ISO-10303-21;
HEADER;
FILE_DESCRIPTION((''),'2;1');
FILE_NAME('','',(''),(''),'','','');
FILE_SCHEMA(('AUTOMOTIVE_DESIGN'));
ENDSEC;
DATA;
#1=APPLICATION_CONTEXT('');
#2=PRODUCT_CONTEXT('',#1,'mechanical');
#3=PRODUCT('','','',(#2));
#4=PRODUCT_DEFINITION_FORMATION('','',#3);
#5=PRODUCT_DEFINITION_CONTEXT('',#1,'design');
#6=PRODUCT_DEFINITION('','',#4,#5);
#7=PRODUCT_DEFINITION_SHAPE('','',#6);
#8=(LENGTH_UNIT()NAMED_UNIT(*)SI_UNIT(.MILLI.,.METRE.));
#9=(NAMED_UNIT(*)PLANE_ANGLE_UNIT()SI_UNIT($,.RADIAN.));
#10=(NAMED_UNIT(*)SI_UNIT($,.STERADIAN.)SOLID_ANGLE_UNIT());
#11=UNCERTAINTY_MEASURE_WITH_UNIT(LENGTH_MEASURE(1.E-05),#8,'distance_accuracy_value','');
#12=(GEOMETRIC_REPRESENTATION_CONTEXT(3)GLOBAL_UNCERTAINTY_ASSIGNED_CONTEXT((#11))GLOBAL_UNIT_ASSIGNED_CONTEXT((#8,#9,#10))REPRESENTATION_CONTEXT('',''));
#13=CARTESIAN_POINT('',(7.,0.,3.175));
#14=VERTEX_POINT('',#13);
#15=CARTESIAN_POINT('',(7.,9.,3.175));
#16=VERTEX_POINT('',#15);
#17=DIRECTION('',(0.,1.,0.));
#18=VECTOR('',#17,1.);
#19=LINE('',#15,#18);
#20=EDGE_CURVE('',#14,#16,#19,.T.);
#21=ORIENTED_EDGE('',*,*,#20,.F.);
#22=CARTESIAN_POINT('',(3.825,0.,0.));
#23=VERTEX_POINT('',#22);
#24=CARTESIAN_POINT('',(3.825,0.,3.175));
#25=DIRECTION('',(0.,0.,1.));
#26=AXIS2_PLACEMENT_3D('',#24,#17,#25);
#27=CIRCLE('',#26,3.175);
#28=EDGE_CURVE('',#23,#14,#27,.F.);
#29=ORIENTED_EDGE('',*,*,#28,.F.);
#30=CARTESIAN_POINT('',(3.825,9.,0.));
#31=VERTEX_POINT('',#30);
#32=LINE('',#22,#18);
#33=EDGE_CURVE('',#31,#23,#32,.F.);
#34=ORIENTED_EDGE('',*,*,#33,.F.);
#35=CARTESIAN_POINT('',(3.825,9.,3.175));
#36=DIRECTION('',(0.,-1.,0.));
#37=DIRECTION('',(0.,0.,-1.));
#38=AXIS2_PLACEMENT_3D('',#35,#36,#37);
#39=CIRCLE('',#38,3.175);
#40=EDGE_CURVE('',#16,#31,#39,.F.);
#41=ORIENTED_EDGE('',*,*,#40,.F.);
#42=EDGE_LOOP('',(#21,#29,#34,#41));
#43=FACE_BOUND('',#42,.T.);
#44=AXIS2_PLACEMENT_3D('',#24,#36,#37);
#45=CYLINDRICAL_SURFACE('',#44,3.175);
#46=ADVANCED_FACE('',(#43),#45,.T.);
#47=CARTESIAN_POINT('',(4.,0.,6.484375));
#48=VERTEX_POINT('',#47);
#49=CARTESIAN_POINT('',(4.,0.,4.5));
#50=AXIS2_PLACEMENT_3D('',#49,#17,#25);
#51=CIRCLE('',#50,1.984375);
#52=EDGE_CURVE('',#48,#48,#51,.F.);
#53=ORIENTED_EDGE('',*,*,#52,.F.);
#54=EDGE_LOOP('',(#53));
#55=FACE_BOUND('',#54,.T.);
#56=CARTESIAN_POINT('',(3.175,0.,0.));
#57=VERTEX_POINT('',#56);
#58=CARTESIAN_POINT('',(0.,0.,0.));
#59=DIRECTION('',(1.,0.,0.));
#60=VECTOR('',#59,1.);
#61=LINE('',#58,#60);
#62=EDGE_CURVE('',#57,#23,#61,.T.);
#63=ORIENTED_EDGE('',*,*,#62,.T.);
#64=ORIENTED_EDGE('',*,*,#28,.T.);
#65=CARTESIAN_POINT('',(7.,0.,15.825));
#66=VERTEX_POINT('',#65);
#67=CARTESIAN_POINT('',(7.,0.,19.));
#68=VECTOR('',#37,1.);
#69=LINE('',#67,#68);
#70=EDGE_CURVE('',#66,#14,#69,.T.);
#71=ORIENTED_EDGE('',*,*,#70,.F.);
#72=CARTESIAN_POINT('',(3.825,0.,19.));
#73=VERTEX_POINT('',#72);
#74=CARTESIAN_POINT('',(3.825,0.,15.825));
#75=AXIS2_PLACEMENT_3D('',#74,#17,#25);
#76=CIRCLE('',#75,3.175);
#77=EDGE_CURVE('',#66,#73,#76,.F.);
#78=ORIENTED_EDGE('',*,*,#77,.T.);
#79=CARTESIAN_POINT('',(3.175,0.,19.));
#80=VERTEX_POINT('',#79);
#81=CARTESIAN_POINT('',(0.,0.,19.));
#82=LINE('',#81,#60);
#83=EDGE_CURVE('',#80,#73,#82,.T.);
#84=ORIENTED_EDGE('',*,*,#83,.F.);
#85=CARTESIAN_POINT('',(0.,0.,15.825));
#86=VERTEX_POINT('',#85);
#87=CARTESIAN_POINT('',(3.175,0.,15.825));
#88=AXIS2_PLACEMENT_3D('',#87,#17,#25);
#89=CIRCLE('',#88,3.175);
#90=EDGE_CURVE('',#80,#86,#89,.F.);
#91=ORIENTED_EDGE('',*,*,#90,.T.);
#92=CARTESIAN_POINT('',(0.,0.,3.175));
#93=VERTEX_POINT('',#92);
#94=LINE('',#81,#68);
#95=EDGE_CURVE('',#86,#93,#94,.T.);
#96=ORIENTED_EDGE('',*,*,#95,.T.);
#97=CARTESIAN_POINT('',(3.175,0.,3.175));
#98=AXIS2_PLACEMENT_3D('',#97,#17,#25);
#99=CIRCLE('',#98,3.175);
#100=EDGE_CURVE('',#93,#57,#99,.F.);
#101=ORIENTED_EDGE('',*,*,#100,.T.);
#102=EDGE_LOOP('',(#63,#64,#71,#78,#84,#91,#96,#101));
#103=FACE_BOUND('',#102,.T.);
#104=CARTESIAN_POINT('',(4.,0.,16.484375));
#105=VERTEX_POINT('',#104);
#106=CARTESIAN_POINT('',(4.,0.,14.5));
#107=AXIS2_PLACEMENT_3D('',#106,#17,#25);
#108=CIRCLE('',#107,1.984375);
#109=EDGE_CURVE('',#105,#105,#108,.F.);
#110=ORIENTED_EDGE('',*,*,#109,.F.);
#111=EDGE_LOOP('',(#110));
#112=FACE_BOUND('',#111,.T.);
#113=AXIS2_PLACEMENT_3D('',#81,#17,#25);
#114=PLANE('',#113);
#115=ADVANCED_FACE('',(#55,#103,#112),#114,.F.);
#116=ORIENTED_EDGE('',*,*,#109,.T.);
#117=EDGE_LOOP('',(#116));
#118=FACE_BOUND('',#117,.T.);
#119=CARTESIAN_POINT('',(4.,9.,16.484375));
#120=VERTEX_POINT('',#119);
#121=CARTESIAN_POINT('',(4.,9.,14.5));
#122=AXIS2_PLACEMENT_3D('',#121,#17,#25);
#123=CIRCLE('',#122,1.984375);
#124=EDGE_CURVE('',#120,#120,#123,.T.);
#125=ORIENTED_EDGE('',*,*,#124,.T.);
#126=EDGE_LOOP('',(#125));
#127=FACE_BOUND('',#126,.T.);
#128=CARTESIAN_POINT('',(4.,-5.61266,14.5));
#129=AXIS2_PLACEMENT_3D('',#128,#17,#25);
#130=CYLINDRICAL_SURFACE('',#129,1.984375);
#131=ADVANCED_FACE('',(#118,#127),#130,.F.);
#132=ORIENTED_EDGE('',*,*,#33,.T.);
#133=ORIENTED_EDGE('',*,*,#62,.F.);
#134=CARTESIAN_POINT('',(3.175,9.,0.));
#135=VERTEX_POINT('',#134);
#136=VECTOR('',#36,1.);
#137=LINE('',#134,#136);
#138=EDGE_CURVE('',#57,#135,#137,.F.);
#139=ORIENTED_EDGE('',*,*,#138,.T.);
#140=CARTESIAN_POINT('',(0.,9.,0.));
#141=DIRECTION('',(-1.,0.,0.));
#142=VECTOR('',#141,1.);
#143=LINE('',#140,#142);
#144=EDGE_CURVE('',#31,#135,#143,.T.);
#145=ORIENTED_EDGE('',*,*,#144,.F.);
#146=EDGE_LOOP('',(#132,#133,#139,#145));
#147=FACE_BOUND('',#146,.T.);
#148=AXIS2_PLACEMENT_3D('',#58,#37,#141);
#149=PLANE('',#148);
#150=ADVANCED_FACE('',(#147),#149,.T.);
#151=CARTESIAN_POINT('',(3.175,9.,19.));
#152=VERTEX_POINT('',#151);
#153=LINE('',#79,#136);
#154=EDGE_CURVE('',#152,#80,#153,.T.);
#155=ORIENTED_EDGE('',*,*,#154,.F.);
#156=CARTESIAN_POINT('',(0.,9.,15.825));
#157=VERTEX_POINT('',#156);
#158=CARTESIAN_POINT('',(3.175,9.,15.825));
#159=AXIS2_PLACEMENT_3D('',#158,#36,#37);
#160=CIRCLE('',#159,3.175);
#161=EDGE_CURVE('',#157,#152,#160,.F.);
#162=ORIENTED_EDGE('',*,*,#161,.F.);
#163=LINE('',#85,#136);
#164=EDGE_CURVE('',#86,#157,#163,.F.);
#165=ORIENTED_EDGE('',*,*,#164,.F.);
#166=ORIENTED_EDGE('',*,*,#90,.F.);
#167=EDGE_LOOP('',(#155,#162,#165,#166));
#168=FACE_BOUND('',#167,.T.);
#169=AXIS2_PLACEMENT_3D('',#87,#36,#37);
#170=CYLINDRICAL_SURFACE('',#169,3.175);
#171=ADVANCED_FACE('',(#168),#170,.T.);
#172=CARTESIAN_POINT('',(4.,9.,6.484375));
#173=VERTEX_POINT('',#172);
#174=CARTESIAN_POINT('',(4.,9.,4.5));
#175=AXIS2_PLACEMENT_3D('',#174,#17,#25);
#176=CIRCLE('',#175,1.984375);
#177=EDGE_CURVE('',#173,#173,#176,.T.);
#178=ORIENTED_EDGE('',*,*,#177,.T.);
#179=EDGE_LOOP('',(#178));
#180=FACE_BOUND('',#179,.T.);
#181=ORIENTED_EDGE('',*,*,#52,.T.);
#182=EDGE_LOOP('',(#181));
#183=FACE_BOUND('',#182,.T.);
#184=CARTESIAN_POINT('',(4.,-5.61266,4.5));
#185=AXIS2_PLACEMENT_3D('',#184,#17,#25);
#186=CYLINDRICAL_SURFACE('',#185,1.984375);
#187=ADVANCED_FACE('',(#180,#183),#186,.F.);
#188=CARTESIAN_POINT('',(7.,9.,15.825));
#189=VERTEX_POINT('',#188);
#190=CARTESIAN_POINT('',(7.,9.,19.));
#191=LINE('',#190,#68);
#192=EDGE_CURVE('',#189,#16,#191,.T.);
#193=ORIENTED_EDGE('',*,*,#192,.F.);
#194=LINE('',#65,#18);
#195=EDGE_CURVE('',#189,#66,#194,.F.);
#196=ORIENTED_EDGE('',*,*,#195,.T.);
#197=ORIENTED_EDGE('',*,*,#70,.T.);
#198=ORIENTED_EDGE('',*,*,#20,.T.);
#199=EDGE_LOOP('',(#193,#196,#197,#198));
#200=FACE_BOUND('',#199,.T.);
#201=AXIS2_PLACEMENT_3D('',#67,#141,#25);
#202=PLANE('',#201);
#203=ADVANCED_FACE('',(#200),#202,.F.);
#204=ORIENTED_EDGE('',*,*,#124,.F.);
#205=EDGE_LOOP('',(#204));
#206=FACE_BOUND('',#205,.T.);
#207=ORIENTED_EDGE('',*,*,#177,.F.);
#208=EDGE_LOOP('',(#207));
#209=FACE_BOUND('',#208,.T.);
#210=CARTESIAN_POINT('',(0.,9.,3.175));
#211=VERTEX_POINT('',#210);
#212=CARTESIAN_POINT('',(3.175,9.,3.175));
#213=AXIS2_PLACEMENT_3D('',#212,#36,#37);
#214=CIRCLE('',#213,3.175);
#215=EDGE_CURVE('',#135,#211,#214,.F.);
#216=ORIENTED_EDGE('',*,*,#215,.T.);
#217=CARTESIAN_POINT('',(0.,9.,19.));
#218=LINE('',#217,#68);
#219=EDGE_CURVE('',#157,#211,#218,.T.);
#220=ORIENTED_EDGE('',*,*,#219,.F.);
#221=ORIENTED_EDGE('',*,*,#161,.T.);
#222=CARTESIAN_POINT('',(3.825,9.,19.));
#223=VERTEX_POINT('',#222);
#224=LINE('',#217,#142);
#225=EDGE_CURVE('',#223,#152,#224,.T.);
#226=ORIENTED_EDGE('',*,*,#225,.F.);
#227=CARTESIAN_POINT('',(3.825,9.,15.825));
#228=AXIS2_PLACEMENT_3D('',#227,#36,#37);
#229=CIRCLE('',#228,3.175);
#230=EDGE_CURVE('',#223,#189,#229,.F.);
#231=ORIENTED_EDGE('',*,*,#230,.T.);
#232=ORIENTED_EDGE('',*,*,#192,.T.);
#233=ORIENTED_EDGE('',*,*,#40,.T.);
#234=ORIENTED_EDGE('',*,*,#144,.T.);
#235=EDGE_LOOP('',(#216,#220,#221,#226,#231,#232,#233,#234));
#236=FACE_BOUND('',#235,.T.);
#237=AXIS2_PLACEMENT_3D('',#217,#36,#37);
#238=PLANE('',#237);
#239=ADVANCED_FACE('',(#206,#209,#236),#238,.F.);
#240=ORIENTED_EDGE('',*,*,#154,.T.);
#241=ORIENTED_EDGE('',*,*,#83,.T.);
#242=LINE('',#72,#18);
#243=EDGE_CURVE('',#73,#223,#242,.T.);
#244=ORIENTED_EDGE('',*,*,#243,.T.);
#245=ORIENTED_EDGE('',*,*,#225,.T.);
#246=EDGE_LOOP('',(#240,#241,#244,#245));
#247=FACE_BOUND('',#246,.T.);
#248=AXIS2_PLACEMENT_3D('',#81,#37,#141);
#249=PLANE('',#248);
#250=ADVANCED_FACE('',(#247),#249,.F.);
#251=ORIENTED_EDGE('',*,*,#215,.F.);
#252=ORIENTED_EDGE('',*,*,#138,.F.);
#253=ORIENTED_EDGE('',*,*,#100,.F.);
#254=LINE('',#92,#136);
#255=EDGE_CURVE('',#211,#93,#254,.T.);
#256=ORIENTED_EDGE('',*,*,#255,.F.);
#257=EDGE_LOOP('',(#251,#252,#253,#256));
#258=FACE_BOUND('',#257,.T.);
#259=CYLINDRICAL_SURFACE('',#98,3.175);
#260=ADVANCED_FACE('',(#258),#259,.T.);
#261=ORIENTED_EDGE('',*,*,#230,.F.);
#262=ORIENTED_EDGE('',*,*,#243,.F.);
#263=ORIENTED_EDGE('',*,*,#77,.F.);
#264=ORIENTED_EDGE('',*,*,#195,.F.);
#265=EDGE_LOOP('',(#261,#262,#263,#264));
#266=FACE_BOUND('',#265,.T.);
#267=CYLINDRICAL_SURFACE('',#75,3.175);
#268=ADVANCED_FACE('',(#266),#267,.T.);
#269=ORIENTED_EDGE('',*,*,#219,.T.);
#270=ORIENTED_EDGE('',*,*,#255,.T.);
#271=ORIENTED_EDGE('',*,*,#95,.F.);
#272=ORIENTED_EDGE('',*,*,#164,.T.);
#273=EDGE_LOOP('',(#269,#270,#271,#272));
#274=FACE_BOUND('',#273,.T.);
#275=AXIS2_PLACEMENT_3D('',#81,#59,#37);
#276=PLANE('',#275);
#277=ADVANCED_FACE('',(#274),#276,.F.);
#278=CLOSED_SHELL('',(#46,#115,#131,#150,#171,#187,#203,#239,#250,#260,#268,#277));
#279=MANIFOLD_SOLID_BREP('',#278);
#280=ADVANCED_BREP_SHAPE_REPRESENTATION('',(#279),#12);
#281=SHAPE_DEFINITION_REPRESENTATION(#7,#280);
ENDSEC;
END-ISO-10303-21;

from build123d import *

# Parameters (mm, degrees)
SKETCH1_W           = 7
SKETCH1_H           = 9
BOSS_EXTRUDE1_DEPTH = 19
SKETCH2_R           = 1.984375
CUT_EXTRUDE1_DEPTH  = 9
FILLET1_R           = 3.175


with BuildPart() as part:
    # Sketch1 → Boss-Extrude1 (new body)
    with BuildSketch(Plane.XY):
        with Locations((3.5, 4.5)):
            Rectangle(SKETCH1_W, SKETCH1_H)
    extrude(amount=BOSS_EXTRUDE1_DEPTH)

    # Sketch2 → Cut-Extrude1 (cut)
    with BuildSketch(Plane(origin=(0, 9, 0), x_dir=(1, 0, 0), z_dir=(0, 1, 0))):
        with Locations((4, -4.5)):
            Circle(SKETCH2_R)
        with Locations((4, -14.5)):
            Circle(SKETCH2_R)
    extrude(amount=-CUT_EXTRUDE1_DEPTH, mode=Mode.SUBTRACT)

    # Fillet1
    fillet1_edges = [part.edges().sort_by_distance(p)[0] for p in [
        (7, 4.5, 19),
        (0, 4.5, 19),
        (7, 4.5, 0),
        (0, 4.5, 0),
    ]]
    fillet(fillet1_edges, radius=FILLET1_R)


solid = part.part
